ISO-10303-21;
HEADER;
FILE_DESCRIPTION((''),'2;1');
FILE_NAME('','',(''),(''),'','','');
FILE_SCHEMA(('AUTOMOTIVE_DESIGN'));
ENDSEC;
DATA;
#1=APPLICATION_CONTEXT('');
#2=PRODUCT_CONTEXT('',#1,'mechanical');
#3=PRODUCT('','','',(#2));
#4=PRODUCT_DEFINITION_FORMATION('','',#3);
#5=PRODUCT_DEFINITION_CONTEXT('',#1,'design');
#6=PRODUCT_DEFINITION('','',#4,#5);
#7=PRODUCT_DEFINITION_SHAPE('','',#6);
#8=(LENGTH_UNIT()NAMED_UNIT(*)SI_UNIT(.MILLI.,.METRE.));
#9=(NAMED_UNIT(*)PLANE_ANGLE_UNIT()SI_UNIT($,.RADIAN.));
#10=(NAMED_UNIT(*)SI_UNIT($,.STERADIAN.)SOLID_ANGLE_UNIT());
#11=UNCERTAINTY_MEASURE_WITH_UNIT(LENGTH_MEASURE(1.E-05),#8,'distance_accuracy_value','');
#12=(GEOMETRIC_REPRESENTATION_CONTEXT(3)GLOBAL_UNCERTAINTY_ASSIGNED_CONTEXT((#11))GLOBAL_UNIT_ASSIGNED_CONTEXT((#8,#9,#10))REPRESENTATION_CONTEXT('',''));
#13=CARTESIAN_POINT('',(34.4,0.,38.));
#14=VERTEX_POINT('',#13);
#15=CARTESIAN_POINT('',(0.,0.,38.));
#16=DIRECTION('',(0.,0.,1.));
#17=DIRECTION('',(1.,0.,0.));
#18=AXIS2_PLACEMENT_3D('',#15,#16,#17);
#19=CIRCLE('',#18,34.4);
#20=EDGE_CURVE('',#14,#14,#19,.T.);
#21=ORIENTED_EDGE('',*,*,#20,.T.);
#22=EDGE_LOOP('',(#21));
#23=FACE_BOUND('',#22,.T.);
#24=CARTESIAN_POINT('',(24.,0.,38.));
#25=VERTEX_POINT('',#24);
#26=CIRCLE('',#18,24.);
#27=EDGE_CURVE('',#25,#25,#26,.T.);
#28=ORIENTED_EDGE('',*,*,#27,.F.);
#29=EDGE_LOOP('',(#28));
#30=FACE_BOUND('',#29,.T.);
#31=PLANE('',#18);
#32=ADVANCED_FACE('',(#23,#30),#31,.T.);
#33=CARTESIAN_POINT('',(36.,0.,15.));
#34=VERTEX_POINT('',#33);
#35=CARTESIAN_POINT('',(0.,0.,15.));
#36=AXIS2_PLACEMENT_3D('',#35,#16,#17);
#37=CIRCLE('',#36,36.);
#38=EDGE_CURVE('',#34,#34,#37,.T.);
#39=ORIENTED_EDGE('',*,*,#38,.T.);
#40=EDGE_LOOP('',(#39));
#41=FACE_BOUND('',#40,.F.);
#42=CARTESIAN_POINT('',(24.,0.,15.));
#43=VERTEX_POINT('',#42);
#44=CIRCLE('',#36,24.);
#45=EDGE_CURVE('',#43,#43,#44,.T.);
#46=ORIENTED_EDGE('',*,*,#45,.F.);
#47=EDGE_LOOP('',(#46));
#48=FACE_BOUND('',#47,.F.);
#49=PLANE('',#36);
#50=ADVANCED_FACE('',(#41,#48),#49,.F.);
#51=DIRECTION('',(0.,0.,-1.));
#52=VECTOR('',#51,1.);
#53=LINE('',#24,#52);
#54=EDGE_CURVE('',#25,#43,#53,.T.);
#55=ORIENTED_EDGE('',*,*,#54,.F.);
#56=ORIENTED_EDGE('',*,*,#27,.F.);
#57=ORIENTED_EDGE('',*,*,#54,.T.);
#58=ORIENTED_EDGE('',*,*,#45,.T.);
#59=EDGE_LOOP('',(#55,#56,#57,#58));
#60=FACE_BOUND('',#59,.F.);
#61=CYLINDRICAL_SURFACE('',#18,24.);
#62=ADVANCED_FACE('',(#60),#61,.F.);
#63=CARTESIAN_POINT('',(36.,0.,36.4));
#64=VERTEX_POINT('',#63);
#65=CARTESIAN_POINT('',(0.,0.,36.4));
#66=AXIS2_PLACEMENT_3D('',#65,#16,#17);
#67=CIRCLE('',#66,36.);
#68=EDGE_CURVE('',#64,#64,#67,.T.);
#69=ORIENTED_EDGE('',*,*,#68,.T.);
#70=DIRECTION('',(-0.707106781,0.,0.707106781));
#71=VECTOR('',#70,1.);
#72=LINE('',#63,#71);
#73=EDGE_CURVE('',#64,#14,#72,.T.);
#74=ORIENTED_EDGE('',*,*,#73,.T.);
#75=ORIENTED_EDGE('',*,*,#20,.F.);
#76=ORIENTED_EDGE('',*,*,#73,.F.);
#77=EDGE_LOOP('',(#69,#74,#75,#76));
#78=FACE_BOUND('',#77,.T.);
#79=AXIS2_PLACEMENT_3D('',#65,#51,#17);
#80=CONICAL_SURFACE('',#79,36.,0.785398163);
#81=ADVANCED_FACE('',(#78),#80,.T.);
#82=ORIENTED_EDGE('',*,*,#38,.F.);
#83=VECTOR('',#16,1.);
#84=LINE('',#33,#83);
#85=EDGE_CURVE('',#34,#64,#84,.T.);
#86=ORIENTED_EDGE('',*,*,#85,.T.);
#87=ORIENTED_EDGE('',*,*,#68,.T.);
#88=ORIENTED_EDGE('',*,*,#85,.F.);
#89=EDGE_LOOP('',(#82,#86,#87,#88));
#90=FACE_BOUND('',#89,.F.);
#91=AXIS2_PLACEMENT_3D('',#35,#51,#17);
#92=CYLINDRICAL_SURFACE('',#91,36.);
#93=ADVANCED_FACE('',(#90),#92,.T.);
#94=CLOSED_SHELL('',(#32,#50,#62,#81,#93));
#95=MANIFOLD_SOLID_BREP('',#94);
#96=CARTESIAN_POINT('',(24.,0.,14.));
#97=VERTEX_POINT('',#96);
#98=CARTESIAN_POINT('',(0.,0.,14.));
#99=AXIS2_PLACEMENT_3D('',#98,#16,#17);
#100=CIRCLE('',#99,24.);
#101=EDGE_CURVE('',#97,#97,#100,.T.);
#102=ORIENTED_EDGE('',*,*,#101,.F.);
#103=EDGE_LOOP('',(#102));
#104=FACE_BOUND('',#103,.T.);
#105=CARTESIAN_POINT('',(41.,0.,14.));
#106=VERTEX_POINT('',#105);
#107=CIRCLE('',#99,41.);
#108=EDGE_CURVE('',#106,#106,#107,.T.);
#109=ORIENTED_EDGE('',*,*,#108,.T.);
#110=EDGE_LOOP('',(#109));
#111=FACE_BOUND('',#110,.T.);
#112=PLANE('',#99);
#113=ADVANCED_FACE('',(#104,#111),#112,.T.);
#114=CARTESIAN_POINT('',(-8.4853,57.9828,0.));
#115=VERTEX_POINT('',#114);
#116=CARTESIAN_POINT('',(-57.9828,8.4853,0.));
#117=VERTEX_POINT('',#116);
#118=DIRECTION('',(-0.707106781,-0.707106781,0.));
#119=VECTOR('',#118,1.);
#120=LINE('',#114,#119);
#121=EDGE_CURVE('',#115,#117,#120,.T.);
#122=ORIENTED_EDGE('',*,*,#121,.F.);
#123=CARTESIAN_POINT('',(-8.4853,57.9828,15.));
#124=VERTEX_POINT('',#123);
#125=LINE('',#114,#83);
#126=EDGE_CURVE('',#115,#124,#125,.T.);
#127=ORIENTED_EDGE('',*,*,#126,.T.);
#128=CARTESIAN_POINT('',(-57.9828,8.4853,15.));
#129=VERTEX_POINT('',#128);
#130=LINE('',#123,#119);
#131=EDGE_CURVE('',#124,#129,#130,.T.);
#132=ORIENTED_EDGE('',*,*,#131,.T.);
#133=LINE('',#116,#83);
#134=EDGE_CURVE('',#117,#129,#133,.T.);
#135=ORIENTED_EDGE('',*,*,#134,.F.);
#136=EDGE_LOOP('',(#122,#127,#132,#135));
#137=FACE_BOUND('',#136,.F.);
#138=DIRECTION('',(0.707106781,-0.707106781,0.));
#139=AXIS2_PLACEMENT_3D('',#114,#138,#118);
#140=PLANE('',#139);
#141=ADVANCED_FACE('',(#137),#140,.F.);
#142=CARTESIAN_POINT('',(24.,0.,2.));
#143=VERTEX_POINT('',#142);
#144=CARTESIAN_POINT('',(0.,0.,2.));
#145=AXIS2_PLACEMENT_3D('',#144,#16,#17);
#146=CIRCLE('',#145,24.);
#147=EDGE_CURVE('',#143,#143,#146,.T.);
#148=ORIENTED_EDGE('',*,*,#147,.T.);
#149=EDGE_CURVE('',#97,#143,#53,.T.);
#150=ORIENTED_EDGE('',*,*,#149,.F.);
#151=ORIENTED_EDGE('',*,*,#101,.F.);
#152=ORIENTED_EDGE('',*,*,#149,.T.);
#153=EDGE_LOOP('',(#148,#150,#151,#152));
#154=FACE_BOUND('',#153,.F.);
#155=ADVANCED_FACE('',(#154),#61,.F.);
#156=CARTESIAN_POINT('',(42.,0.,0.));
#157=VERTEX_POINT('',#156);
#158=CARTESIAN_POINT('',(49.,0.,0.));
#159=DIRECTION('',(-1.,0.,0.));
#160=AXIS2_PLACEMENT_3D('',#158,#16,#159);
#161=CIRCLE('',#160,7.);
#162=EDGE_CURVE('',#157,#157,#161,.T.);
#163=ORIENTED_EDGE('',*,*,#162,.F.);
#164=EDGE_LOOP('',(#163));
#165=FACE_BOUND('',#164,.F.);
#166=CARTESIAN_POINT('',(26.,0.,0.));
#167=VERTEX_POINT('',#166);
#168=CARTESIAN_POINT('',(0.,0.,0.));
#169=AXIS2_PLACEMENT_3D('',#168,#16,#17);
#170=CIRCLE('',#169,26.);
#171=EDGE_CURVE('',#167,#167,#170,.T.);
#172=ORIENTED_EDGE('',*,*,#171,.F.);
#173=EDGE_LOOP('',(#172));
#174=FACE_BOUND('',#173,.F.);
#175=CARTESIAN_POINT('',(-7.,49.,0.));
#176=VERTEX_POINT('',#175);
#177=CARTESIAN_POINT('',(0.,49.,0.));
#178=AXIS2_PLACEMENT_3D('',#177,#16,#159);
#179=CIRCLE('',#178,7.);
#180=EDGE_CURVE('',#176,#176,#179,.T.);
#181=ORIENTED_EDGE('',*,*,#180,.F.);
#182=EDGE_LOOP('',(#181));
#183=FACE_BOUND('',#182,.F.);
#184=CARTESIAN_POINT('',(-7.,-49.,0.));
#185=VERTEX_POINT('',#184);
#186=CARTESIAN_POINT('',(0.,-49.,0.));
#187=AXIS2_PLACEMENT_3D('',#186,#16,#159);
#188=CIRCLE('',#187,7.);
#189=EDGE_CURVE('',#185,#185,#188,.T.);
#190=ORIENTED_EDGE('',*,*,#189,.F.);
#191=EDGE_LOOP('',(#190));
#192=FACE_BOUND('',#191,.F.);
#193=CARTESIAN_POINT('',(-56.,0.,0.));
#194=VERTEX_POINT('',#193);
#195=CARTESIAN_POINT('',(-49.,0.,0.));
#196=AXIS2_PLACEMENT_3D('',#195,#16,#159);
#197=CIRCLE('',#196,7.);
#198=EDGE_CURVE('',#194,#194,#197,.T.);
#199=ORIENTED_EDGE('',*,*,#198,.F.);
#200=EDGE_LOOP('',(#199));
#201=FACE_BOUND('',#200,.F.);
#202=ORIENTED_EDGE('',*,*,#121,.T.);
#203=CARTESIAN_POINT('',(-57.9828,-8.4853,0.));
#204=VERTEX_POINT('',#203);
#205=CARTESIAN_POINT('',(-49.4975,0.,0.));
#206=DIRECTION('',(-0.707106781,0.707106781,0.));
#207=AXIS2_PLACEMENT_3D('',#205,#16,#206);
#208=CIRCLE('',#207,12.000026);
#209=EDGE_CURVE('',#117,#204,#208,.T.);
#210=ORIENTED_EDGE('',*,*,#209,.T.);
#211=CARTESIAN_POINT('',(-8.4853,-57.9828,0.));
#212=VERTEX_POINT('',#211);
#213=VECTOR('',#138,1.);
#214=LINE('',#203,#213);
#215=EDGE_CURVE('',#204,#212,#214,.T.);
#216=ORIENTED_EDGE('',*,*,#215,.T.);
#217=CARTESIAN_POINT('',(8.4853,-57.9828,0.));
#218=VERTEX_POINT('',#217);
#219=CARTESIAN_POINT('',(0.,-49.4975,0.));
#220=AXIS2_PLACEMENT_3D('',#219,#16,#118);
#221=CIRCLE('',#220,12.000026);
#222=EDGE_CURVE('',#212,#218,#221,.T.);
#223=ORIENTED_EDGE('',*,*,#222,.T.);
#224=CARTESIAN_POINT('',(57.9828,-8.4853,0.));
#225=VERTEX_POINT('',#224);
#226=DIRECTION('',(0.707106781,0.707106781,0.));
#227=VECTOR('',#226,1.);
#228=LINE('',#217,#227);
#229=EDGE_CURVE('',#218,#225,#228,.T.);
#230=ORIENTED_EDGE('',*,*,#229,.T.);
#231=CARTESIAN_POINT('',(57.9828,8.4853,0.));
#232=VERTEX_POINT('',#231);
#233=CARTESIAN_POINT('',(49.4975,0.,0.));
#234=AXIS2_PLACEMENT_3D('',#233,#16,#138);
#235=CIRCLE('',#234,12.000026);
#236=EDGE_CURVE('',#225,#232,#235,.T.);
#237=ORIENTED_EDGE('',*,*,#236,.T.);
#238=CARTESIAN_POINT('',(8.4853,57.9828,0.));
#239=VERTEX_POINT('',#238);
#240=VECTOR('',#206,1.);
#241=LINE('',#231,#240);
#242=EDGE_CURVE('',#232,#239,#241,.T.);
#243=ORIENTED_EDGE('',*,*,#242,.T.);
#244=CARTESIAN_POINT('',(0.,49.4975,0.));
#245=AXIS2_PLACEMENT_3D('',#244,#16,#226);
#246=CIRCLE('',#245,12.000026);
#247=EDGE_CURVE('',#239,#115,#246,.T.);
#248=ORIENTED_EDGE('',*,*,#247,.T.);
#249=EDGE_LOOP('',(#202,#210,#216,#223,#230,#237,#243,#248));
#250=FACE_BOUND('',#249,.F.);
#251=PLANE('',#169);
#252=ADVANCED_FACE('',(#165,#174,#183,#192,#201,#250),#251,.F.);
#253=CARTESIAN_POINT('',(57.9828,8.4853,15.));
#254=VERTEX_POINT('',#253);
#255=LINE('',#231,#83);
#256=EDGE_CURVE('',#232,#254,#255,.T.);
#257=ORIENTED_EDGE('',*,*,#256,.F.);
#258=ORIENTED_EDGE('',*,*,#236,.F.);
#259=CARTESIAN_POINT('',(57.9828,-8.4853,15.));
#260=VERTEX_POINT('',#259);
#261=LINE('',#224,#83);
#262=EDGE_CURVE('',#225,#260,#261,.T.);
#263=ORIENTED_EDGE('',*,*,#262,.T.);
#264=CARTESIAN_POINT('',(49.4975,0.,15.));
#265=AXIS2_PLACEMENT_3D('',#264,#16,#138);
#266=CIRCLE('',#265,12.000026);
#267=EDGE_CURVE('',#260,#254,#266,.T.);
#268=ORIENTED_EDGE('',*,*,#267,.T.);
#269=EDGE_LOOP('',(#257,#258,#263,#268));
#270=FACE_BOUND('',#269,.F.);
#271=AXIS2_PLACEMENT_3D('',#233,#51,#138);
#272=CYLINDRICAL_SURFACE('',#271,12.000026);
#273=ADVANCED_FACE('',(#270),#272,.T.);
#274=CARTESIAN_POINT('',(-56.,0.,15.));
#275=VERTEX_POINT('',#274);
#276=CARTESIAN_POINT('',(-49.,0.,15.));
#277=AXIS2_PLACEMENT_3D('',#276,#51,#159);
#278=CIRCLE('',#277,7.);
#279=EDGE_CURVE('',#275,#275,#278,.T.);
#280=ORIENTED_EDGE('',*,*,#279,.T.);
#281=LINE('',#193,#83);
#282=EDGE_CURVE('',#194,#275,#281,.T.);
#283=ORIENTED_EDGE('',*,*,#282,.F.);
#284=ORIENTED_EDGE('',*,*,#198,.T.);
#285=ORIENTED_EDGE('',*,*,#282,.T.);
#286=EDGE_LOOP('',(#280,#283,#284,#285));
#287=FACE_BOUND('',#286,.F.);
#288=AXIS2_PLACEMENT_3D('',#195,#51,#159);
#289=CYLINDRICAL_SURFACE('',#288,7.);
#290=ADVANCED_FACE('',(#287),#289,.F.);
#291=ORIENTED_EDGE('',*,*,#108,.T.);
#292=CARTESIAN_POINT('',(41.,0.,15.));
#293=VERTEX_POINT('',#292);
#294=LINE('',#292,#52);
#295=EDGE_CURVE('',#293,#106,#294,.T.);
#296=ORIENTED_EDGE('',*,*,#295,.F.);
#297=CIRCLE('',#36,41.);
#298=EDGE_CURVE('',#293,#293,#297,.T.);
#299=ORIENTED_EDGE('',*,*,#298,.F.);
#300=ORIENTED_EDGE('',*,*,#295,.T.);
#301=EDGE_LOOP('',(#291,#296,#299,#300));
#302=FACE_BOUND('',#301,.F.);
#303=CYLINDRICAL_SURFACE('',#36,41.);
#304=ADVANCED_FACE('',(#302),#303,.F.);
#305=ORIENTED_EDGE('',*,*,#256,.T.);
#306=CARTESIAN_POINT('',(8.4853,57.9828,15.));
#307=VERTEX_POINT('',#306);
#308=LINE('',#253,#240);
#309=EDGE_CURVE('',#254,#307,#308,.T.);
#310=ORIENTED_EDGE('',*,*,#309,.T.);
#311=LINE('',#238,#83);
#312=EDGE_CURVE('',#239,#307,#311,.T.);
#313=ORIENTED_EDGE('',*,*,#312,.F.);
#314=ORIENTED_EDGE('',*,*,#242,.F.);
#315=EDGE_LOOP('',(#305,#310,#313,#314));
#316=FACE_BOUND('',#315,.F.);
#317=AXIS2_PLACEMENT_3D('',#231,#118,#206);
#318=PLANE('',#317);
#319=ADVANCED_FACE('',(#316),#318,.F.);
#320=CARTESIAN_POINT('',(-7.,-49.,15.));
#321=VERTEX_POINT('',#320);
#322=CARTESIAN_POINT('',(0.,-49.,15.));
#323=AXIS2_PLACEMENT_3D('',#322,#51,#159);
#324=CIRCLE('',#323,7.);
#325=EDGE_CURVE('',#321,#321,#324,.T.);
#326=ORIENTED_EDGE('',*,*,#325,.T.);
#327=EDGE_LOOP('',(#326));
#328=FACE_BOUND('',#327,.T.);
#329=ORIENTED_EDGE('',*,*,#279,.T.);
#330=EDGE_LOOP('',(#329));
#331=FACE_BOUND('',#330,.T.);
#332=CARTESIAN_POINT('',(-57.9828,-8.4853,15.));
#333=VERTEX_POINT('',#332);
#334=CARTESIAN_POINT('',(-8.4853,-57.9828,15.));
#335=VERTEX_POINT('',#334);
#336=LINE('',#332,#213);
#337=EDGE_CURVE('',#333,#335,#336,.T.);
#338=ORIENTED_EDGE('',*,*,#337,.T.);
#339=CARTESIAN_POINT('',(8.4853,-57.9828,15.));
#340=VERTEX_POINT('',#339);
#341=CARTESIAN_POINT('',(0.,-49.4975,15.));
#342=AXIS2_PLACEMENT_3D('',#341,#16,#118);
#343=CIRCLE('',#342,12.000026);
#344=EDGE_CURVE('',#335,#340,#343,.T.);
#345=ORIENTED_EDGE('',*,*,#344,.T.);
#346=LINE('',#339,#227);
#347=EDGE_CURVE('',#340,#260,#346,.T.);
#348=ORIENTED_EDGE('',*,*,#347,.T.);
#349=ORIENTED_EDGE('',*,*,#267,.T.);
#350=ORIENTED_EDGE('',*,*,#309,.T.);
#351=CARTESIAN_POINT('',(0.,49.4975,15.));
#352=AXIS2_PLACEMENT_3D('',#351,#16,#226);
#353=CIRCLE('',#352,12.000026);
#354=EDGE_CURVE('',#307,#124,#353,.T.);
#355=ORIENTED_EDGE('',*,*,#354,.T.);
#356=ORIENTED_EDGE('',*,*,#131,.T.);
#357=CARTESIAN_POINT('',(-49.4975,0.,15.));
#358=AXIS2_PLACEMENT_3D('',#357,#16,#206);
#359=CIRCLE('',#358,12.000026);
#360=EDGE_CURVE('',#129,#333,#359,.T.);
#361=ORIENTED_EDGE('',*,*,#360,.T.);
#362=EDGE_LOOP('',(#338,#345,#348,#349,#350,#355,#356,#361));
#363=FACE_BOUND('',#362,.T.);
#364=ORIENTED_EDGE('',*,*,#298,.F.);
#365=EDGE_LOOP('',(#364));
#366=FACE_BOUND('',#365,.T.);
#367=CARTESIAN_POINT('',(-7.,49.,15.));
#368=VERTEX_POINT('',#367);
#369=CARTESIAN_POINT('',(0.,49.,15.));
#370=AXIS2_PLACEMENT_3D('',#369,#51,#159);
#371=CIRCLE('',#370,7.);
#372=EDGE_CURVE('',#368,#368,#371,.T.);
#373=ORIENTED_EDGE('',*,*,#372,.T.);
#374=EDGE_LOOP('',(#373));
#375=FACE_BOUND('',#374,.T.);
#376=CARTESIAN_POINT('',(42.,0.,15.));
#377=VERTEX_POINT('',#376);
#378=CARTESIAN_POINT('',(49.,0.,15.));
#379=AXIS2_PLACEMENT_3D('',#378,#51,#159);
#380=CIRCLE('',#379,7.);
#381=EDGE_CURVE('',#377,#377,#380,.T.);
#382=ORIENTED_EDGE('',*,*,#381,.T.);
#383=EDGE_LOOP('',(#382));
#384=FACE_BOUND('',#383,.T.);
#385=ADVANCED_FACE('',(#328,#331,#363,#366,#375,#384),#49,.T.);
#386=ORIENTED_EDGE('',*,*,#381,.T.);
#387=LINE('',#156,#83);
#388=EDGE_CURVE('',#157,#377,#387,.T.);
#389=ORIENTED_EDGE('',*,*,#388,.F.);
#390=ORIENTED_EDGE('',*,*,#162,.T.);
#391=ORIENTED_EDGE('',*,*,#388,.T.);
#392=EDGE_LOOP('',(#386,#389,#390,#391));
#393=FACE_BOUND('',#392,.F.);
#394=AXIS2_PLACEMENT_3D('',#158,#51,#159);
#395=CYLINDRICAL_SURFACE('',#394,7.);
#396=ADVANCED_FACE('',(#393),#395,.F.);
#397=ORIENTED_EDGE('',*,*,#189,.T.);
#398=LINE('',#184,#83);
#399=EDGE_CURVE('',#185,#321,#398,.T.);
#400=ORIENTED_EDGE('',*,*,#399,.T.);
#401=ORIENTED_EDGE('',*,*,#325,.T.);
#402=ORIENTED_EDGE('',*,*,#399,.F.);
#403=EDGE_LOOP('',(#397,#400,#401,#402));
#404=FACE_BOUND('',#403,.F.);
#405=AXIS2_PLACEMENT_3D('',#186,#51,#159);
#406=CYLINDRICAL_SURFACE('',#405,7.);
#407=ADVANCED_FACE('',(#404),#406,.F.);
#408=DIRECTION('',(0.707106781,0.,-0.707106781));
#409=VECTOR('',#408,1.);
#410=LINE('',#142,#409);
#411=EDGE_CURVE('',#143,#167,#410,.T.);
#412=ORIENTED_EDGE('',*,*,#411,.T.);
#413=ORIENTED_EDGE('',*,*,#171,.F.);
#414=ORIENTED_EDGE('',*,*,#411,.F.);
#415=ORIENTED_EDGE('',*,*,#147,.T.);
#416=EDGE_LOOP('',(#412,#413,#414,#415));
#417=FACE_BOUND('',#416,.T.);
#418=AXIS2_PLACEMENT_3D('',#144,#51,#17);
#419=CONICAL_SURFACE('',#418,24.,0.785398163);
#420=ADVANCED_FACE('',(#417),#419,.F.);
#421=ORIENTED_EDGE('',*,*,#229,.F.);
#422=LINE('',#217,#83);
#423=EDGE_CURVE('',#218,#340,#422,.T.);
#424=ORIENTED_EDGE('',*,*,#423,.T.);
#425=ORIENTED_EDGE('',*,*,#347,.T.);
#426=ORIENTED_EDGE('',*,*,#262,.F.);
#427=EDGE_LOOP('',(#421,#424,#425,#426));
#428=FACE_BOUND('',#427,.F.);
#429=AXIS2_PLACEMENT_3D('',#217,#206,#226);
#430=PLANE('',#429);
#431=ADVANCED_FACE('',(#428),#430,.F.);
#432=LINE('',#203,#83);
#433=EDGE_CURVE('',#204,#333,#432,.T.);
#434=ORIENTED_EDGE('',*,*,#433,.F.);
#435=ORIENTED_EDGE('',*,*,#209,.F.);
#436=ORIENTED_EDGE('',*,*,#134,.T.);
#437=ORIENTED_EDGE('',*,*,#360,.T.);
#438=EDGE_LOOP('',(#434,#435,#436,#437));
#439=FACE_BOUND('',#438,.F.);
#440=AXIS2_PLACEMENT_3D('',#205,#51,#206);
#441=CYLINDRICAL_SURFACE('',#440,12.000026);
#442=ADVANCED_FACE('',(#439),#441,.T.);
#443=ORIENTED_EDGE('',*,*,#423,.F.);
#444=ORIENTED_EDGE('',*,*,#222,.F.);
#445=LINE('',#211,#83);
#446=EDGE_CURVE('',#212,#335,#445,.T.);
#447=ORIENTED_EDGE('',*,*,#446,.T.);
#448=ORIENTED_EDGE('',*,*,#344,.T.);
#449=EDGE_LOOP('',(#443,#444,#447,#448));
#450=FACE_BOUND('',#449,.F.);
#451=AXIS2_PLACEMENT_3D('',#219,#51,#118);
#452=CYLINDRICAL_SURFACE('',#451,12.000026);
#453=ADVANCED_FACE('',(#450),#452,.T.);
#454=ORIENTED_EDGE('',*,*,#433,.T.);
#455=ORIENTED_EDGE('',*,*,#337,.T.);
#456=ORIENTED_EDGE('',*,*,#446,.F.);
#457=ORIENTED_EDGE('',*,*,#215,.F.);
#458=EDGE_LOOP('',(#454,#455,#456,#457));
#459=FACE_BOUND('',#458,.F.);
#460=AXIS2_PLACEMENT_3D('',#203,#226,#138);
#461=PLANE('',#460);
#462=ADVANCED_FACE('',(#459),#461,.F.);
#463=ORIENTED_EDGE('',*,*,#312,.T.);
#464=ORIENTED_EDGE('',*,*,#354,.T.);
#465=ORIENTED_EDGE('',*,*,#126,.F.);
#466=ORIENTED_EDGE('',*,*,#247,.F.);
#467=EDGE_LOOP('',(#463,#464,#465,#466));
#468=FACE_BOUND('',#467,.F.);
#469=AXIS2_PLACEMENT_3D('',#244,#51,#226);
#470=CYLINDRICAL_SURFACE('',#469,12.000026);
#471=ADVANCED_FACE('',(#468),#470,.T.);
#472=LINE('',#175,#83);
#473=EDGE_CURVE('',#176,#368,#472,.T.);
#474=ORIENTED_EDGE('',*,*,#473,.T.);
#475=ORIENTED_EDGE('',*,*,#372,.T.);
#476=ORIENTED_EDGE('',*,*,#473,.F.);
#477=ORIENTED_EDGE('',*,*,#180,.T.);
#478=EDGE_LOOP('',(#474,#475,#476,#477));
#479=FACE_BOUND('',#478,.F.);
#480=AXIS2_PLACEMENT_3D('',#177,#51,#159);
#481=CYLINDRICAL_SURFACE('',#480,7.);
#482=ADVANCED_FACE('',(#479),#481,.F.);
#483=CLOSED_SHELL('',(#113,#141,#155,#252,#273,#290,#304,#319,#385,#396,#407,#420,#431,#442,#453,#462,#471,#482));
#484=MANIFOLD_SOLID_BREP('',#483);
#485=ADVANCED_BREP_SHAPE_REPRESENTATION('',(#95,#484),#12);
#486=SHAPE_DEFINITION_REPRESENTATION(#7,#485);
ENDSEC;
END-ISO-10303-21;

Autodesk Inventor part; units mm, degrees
ref_plane "YZ Plane" through (0, 0, 0) normal (1, 0, 0) x (0, 1, 0)
ref_plane "XZ Plane" through (0, 0, 0) normal (0, 1, 0) x (-1, 0, 0)
ref_plane "XY Plane" through (0, 0, 0) normal (0, 0, 1) x (1, 0, 0)
sketch "Эскиз1" plane through (0, 0, 0) normal (0, 0, 1) x (1, 0, 0)
  line L0 (-8.4853, 57.9828) -> (-57.9828, 8.4853)
  line L1 (-57.9828, -8.4853) -> (-8.4853, -57.9828)
  line L2 (8.4853, -57.9828) -> (57.9828, -8.4853)
  line L3 (57.9828, 8.4853) -> (8.4853, 57.9828)
  arc A0 (8.4853, 57.9828) -> (-8.4853, 57.9828) centre (0, 49.4975) ccw
  arc A1 (57.9828, -8.4853) -> (57.9828, 8.4853) centre (49.4975, 0) ccw
  arc A2 (-57.9828, 8.4853) -> (-57.9828, -8.4853) centre (-49.4975, 0) ccw
  arc A3 (-8.4853, -57.9828) -> (8.4853, -57.9828) centre (0, -49.4975) ccw
  point P0 (0, 0)
  point P1 (0, 66.468)
  point P2 (-66.468, 0)
  point P3 (0, -66.468)
  point P4 (66.468, 0)
  dimension "d0" = 94
  dimension "d1" = 47
  dimension "d2" = 47
  dimension "d3" = 12
extrude "Выдавливание1" add sketch "Эскиз1" along normal blind 15
sketch "Эскиз2" plane through (0, 0, 15) normal (0, 0, 1) x (1, 0, 0)
  circle A0 centre (0, 0) radius 36
  dimension "d6" = 72
extrude "Выдавливание2" add sketch "Эскиз2" along normal blind 23
sketch "Эскиз3" plane through (0, 0, 38) normal (0, 0, 1) x (1, 0, 0)
  circle A0 centre (0, 0) radius 24
  dimension "d9" = 48
extrude "Выдавливание3" cut sketch "Эскиз3" against normal blind 38
chamfer "Фаска1" distance 1.6 angle 45 1 edges at (-36, 0, 38)
chamfer "Фаска2" distance 2 angle 45 1 edges at (-24, 0, 0)
sketch "Эскиз4" plane through (0, 0, 0) normal (0, 0, -1) x (-1, 0, 0)
  circle A0 centre (0, 49) radius 7
  circle A1 centre (49, 0) radius 7
  circle A2 centre (0, -49) radius 7
  circle A3 centre (-49, 0) radius 7
  line L0 (0, -86.0965) -> (0, 86.0965) projected
  line L1 (86.0965, 0) -> (-86.0965, 0) projected
  point P0 (0, 0)
  dimension "d18" = 98
  dimension "d19" = 98
  dimension "d20" = 14
  dimension "d21" = 14
  dimension "d22" = 14
  dimension "d23" = 14
extrude "Выдавливание4" cut sketch "Эскиз4" against normal blind 15
sketch "Эскиз5" plane through (0, 0, 15) normal (0, 0, 1) x (1, 0, 0)
  circle A0 centre (0, 0) radius 41
  dimension "d26" = 82
extrude "Выдавливание5" cut sketch "Эскиз5" against normal blind 1
